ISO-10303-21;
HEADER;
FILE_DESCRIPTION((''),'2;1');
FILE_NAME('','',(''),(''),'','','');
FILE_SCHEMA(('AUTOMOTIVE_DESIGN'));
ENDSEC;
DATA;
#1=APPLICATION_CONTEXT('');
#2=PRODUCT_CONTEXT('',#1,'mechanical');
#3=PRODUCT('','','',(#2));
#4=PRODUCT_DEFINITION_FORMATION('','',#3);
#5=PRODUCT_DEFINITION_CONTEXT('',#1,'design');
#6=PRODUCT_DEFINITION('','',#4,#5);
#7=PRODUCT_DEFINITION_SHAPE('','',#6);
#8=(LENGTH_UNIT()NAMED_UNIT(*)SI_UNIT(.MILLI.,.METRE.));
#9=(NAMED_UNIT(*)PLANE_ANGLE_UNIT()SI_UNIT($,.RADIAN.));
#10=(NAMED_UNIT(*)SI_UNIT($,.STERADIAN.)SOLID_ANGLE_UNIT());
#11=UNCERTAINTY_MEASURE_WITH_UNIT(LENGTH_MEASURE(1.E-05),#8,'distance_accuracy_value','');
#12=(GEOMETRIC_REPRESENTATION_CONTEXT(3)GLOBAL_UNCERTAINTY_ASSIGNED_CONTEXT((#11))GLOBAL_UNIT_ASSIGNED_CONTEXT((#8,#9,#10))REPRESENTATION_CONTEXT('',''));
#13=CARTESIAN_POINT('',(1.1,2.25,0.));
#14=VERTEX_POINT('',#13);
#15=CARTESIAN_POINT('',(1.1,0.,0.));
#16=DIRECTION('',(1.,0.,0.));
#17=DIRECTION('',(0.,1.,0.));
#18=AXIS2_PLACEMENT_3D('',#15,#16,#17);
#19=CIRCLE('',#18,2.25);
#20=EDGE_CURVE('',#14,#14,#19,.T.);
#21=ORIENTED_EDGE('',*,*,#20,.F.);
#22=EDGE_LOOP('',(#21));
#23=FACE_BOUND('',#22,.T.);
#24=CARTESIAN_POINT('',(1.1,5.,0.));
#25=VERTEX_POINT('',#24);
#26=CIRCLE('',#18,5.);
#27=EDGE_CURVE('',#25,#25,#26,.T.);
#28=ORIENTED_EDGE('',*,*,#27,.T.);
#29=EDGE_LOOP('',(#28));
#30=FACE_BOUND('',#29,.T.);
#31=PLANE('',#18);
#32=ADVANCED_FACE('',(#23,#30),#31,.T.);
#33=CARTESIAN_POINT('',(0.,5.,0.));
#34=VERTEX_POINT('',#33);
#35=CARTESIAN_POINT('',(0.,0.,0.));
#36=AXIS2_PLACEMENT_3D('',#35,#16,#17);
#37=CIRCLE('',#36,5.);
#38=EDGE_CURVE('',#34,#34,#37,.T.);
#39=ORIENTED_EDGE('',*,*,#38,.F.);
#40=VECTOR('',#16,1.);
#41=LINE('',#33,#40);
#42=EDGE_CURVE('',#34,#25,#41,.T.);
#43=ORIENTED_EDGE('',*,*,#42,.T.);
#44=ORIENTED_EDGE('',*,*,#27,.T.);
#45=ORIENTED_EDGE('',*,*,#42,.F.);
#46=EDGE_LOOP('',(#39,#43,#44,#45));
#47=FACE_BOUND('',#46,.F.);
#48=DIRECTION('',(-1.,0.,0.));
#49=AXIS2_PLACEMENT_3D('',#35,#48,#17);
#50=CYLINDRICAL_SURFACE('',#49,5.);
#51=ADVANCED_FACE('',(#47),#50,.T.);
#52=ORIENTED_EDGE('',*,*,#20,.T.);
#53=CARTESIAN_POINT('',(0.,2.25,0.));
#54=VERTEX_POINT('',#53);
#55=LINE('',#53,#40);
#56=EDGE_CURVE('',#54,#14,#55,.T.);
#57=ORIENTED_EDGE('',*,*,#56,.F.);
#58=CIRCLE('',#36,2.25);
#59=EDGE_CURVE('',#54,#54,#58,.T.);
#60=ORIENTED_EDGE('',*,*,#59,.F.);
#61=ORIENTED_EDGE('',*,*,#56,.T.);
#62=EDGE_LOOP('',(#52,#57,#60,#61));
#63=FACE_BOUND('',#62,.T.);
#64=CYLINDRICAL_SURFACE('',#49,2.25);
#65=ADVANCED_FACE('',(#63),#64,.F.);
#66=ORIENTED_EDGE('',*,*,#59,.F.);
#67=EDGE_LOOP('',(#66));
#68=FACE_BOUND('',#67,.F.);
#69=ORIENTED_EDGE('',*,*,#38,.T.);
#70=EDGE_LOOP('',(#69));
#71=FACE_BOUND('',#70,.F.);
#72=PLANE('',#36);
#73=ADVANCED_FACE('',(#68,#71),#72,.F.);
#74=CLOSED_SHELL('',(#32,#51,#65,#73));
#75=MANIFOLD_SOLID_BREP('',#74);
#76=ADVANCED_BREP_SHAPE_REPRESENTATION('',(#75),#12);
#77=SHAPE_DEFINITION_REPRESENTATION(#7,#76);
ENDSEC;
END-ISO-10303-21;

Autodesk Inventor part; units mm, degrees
ref_plane "YZ Plane" through (0, 0, 0) normal (1, 0, 0) x (0, 1, 0)
ref_plane "XZ Plane" through (0, 0, 0) normal (0, 1, 0) x (-1, 0, 0)
sketch "Sketch" plane through (0, 0, 0) normal (1, 0, 0) x (0, 1, 0)
  circle A0 centre (0, 0) radius 5
  circle A1 centre (0, 0) radius 2.25
  dimension "d0" = 4.5
  dimension "d1" = 10
extrude "Body" add sketch "Sketch" along normal blind 1.1
ref_plane "Work Plane1" through (0, 0, 0) normal (0, 0, 1) x (1, 0, 0)
equation "\"d0\" = SD1"
equation "\"d1\" = SD2"
equation "\"d2\" = SD"
equation "\"SD1\" = 4.5"
equation "\"SD2\" = 10"
equation "\"SD\" = 1.1"
equation "\"NND\" = 5"
properties part number "AS 1971 - 5" material "Steel, Mild"
